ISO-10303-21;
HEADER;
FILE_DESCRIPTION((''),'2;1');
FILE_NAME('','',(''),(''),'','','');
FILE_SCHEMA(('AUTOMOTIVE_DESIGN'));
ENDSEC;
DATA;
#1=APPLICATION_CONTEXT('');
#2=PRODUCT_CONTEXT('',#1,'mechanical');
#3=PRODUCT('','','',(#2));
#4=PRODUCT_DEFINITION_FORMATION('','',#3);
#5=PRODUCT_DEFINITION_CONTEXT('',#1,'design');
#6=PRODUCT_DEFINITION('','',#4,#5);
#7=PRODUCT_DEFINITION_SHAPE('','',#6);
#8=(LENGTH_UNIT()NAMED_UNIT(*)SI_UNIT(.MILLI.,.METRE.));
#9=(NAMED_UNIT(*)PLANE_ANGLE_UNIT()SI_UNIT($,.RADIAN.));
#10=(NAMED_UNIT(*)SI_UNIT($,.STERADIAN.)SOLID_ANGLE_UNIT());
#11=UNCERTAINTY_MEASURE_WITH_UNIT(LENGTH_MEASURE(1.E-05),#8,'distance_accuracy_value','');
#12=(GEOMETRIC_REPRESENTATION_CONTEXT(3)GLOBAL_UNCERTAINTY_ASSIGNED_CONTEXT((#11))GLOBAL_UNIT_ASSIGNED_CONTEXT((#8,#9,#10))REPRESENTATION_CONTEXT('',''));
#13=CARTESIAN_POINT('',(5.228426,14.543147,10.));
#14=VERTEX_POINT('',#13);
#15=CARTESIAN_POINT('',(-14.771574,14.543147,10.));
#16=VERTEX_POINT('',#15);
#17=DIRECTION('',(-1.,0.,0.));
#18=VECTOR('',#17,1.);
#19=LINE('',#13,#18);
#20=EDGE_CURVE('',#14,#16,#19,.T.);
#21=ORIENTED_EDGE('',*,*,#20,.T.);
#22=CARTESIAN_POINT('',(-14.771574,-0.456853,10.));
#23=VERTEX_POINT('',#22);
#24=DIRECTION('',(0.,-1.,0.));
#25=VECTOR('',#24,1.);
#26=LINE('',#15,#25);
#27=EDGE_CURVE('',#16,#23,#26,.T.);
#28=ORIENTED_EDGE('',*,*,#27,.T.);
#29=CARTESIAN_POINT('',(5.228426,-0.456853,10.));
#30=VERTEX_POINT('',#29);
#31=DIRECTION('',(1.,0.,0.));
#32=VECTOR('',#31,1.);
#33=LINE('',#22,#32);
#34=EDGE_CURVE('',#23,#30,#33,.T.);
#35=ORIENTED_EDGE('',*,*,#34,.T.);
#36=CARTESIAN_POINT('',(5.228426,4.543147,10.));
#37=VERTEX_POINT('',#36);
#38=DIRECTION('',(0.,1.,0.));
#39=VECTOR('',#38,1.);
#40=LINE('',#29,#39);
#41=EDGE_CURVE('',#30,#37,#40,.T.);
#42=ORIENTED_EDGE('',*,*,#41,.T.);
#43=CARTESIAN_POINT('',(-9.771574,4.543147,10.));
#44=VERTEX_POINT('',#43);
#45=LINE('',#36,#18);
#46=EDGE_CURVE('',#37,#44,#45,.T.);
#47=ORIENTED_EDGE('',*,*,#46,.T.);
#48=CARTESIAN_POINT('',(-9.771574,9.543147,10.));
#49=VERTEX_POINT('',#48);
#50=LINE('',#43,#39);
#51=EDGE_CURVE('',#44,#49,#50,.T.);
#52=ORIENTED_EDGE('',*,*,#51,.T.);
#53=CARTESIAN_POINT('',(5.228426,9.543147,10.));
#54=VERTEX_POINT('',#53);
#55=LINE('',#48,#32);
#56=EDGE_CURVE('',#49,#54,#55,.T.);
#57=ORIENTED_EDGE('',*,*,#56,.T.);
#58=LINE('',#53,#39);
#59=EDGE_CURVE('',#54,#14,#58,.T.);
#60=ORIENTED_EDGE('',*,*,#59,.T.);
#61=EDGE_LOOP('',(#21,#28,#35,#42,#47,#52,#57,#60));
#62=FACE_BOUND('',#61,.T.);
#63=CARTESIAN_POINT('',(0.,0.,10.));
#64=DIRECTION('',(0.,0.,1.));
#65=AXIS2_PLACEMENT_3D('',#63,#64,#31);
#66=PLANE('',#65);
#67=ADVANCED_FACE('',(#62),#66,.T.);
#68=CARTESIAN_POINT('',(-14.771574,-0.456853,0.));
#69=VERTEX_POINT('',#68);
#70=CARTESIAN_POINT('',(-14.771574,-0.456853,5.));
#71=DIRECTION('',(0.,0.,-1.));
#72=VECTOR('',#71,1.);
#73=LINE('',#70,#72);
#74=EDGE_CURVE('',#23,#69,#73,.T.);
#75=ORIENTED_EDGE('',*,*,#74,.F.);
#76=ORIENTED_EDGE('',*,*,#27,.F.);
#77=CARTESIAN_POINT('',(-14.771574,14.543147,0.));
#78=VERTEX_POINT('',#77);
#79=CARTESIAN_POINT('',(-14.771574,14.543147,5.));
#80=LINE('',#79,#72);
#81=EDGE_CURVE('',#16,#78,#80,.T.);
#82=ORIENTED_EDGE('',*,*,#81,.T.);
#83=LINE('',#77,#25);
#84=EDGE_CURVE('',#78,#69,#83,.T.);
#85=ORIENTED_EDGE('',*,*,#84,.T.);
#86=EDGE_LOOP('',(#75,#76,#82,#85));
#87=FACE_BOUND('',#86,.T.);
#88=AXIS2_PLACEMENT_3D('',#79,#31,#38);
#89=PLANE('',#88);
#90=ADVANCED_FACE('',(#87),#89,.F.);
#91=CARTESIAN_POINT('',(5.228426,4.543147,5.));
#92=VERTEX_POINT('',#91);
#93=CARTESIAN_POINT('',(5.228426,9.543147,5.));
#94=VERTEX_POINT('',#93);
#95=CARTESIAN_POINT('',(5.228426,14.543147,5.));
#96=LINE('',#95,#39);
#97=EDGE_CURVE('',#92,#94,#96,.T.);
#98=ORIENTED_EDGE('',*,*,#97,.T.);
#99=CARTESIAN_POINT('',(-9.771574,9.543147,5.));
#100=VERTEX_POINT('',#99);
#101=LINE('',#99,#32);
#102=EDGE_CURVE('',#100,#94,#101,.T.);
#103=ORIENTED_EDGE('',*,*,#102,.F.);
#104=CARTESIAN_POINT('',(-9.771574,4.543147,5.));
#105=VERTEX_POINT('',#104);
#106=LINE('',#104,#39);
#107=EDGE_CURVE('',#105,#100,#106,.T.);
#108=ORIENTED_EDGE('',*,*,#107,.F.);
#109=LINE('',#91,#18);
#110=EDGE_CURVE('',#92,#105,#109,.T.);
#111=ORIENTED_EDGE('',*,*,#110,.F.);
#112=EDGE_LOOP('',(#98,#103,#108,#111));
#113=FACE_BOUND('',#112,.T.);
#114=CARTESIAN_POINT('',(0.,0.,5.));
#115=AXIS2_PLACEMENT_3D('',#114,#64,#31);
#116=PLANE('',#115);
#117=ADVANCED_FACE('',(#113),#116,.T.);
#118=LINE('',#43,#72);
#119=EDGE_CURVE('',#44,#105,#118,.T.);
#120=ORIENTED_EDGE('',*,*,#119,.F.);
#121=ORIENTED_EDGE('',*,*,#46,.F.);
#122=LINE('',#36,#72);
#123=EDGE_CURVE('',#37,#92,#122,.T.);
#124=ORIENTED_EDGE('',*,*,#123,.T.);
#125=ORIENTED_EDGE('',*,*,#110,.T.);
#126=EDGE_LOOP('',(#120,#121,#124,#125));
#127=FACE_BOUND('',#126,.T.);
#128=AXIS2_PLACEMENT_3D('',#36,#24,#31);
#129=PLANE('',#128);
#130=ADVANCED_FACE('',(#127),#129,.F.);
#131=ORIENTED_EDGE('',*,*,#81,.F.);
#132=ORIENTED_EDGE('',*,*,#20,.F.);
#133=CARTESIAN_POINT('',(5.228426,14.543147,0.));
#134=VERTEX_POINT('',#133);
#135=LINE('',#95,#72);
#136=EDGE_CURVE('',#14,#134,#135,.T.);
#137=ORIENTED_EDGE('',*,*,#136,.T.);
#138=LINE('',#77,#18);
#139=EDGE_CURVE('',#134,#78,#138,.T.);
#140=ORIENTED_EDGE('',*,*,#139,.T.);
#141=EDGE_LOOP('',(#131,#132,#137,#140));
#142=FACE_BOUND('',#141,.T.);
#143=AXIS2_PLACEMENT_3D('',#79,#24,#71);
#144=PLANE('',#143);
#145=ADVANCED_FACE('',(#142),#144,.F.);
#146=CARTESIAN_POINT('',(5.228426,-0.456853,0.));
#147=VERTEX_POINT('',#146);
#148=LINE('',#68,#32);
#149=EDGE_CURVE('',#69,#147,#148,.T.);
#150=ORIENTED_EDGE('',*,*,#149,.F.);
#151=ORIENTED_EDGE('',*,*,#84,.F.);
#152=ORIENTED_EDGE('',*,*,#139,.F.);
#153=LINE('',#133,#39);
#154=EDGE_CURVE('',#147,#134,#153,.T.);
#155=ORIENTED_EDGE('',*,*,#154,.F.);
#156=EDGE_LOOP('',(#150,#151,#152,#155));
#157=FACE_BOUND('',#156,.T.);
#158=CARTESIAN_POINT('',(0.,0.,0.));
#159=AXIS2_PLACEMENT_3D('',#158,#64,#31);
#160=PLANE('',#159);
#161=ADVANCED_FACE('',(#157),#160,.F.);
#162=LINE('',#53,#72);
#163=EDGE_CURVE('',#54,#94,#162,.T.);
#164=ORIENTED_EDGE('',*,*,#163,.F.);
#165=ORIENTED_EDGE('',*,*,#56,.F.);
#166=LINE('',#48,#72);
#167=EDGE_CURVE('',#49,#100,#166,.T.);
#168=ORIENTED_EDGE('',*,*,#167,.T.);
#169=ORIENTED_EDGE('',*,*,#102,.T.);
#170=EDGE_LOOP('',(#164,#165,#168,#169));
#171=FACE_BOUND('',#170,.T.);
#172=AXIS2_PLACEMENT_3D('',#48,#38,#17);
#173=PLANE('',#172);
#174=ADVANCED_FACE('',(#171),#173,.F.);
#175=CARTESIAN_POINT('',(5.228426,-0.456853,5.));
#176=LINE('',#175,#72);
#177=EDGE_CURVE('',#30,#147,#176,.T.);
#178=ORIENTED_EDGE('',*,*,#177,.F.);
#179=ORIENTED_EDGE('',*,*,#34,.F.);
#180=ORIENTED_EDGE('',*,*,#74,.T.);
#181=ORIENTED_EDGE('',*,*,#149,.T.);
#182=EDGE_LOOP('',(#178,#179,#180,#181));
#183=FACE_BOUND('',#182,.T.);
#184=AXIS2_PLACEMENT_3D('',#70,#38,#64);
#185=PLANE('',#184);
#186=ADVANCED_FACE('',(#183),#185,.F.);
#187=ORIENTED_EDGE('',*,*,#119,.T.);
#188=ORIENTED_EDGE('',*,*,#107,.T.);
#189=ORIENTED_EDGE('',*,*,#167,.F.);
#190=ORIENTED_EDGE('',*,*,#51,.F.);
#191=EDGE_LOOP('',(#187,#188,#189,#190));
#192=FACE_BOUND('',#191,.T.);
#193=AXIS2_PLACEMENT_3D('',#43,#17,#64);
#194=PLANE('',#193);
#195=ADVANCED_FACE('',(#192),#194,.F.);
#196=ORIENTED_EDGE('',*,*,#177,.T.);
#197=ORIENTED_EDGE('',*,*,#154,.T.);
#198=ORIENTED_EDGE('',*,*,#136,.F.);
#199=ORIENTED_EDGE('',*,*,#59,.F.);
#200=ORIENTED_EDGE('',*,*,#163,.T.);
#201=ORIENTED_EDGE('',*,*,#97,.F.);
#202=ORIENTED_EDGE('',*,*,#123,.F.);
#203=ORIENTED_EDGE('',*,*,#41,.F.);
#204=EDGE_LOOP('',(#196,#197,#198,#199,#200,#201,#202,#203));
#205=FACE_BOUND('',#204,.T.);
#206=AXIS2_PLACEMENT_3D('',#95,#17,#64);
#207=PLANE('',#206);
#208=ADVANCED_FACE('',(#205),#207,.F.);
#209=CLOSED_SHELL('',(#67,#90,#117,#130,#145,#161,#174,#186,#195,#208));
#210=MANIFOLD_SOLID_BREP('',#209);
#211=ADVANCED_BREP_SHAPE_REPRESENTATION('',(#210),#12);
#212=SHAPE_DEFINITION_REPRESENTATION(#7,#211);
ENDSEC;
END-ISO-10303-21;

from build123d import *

# Parameters (mm, degrees)
SKETCH_1_W      = 20
SKETCH_1_H      = 15
EXTRUDE_1_DEPTH = 5
EXTRUDE_2_DEPTH = 5


with BuildPart() as part:
    # 草图1 → 凸台-拉伸1 (new body)
    with BuildSketch(Plane.XY):
        with Locations((-4.771573604, 7.043147208)):
            Rectangle(SKETCH_1_W, SKETCH_1_H)
    extrude(amount=EXTRUDE_1_DEPTH)

    # 草图4 → 凸台-拉伸2 (add)
    with BuildSketch(Plane.XY.offset(5)):
        Polygon((-14.771573604, -0.456852792), (5.228426396, -0.456852792), (5.228426396, 4.543147208), (-9.771573604, 4.543147208), (-9.771573604, 9.543147208), (5.228426396, 9.543147208), (5.228426396, 14.543147208), (-14.771573604, 14.543147208), align=None)
    extrude(amount=EXTRUDE_2_DEPTH)


solid = part.part
